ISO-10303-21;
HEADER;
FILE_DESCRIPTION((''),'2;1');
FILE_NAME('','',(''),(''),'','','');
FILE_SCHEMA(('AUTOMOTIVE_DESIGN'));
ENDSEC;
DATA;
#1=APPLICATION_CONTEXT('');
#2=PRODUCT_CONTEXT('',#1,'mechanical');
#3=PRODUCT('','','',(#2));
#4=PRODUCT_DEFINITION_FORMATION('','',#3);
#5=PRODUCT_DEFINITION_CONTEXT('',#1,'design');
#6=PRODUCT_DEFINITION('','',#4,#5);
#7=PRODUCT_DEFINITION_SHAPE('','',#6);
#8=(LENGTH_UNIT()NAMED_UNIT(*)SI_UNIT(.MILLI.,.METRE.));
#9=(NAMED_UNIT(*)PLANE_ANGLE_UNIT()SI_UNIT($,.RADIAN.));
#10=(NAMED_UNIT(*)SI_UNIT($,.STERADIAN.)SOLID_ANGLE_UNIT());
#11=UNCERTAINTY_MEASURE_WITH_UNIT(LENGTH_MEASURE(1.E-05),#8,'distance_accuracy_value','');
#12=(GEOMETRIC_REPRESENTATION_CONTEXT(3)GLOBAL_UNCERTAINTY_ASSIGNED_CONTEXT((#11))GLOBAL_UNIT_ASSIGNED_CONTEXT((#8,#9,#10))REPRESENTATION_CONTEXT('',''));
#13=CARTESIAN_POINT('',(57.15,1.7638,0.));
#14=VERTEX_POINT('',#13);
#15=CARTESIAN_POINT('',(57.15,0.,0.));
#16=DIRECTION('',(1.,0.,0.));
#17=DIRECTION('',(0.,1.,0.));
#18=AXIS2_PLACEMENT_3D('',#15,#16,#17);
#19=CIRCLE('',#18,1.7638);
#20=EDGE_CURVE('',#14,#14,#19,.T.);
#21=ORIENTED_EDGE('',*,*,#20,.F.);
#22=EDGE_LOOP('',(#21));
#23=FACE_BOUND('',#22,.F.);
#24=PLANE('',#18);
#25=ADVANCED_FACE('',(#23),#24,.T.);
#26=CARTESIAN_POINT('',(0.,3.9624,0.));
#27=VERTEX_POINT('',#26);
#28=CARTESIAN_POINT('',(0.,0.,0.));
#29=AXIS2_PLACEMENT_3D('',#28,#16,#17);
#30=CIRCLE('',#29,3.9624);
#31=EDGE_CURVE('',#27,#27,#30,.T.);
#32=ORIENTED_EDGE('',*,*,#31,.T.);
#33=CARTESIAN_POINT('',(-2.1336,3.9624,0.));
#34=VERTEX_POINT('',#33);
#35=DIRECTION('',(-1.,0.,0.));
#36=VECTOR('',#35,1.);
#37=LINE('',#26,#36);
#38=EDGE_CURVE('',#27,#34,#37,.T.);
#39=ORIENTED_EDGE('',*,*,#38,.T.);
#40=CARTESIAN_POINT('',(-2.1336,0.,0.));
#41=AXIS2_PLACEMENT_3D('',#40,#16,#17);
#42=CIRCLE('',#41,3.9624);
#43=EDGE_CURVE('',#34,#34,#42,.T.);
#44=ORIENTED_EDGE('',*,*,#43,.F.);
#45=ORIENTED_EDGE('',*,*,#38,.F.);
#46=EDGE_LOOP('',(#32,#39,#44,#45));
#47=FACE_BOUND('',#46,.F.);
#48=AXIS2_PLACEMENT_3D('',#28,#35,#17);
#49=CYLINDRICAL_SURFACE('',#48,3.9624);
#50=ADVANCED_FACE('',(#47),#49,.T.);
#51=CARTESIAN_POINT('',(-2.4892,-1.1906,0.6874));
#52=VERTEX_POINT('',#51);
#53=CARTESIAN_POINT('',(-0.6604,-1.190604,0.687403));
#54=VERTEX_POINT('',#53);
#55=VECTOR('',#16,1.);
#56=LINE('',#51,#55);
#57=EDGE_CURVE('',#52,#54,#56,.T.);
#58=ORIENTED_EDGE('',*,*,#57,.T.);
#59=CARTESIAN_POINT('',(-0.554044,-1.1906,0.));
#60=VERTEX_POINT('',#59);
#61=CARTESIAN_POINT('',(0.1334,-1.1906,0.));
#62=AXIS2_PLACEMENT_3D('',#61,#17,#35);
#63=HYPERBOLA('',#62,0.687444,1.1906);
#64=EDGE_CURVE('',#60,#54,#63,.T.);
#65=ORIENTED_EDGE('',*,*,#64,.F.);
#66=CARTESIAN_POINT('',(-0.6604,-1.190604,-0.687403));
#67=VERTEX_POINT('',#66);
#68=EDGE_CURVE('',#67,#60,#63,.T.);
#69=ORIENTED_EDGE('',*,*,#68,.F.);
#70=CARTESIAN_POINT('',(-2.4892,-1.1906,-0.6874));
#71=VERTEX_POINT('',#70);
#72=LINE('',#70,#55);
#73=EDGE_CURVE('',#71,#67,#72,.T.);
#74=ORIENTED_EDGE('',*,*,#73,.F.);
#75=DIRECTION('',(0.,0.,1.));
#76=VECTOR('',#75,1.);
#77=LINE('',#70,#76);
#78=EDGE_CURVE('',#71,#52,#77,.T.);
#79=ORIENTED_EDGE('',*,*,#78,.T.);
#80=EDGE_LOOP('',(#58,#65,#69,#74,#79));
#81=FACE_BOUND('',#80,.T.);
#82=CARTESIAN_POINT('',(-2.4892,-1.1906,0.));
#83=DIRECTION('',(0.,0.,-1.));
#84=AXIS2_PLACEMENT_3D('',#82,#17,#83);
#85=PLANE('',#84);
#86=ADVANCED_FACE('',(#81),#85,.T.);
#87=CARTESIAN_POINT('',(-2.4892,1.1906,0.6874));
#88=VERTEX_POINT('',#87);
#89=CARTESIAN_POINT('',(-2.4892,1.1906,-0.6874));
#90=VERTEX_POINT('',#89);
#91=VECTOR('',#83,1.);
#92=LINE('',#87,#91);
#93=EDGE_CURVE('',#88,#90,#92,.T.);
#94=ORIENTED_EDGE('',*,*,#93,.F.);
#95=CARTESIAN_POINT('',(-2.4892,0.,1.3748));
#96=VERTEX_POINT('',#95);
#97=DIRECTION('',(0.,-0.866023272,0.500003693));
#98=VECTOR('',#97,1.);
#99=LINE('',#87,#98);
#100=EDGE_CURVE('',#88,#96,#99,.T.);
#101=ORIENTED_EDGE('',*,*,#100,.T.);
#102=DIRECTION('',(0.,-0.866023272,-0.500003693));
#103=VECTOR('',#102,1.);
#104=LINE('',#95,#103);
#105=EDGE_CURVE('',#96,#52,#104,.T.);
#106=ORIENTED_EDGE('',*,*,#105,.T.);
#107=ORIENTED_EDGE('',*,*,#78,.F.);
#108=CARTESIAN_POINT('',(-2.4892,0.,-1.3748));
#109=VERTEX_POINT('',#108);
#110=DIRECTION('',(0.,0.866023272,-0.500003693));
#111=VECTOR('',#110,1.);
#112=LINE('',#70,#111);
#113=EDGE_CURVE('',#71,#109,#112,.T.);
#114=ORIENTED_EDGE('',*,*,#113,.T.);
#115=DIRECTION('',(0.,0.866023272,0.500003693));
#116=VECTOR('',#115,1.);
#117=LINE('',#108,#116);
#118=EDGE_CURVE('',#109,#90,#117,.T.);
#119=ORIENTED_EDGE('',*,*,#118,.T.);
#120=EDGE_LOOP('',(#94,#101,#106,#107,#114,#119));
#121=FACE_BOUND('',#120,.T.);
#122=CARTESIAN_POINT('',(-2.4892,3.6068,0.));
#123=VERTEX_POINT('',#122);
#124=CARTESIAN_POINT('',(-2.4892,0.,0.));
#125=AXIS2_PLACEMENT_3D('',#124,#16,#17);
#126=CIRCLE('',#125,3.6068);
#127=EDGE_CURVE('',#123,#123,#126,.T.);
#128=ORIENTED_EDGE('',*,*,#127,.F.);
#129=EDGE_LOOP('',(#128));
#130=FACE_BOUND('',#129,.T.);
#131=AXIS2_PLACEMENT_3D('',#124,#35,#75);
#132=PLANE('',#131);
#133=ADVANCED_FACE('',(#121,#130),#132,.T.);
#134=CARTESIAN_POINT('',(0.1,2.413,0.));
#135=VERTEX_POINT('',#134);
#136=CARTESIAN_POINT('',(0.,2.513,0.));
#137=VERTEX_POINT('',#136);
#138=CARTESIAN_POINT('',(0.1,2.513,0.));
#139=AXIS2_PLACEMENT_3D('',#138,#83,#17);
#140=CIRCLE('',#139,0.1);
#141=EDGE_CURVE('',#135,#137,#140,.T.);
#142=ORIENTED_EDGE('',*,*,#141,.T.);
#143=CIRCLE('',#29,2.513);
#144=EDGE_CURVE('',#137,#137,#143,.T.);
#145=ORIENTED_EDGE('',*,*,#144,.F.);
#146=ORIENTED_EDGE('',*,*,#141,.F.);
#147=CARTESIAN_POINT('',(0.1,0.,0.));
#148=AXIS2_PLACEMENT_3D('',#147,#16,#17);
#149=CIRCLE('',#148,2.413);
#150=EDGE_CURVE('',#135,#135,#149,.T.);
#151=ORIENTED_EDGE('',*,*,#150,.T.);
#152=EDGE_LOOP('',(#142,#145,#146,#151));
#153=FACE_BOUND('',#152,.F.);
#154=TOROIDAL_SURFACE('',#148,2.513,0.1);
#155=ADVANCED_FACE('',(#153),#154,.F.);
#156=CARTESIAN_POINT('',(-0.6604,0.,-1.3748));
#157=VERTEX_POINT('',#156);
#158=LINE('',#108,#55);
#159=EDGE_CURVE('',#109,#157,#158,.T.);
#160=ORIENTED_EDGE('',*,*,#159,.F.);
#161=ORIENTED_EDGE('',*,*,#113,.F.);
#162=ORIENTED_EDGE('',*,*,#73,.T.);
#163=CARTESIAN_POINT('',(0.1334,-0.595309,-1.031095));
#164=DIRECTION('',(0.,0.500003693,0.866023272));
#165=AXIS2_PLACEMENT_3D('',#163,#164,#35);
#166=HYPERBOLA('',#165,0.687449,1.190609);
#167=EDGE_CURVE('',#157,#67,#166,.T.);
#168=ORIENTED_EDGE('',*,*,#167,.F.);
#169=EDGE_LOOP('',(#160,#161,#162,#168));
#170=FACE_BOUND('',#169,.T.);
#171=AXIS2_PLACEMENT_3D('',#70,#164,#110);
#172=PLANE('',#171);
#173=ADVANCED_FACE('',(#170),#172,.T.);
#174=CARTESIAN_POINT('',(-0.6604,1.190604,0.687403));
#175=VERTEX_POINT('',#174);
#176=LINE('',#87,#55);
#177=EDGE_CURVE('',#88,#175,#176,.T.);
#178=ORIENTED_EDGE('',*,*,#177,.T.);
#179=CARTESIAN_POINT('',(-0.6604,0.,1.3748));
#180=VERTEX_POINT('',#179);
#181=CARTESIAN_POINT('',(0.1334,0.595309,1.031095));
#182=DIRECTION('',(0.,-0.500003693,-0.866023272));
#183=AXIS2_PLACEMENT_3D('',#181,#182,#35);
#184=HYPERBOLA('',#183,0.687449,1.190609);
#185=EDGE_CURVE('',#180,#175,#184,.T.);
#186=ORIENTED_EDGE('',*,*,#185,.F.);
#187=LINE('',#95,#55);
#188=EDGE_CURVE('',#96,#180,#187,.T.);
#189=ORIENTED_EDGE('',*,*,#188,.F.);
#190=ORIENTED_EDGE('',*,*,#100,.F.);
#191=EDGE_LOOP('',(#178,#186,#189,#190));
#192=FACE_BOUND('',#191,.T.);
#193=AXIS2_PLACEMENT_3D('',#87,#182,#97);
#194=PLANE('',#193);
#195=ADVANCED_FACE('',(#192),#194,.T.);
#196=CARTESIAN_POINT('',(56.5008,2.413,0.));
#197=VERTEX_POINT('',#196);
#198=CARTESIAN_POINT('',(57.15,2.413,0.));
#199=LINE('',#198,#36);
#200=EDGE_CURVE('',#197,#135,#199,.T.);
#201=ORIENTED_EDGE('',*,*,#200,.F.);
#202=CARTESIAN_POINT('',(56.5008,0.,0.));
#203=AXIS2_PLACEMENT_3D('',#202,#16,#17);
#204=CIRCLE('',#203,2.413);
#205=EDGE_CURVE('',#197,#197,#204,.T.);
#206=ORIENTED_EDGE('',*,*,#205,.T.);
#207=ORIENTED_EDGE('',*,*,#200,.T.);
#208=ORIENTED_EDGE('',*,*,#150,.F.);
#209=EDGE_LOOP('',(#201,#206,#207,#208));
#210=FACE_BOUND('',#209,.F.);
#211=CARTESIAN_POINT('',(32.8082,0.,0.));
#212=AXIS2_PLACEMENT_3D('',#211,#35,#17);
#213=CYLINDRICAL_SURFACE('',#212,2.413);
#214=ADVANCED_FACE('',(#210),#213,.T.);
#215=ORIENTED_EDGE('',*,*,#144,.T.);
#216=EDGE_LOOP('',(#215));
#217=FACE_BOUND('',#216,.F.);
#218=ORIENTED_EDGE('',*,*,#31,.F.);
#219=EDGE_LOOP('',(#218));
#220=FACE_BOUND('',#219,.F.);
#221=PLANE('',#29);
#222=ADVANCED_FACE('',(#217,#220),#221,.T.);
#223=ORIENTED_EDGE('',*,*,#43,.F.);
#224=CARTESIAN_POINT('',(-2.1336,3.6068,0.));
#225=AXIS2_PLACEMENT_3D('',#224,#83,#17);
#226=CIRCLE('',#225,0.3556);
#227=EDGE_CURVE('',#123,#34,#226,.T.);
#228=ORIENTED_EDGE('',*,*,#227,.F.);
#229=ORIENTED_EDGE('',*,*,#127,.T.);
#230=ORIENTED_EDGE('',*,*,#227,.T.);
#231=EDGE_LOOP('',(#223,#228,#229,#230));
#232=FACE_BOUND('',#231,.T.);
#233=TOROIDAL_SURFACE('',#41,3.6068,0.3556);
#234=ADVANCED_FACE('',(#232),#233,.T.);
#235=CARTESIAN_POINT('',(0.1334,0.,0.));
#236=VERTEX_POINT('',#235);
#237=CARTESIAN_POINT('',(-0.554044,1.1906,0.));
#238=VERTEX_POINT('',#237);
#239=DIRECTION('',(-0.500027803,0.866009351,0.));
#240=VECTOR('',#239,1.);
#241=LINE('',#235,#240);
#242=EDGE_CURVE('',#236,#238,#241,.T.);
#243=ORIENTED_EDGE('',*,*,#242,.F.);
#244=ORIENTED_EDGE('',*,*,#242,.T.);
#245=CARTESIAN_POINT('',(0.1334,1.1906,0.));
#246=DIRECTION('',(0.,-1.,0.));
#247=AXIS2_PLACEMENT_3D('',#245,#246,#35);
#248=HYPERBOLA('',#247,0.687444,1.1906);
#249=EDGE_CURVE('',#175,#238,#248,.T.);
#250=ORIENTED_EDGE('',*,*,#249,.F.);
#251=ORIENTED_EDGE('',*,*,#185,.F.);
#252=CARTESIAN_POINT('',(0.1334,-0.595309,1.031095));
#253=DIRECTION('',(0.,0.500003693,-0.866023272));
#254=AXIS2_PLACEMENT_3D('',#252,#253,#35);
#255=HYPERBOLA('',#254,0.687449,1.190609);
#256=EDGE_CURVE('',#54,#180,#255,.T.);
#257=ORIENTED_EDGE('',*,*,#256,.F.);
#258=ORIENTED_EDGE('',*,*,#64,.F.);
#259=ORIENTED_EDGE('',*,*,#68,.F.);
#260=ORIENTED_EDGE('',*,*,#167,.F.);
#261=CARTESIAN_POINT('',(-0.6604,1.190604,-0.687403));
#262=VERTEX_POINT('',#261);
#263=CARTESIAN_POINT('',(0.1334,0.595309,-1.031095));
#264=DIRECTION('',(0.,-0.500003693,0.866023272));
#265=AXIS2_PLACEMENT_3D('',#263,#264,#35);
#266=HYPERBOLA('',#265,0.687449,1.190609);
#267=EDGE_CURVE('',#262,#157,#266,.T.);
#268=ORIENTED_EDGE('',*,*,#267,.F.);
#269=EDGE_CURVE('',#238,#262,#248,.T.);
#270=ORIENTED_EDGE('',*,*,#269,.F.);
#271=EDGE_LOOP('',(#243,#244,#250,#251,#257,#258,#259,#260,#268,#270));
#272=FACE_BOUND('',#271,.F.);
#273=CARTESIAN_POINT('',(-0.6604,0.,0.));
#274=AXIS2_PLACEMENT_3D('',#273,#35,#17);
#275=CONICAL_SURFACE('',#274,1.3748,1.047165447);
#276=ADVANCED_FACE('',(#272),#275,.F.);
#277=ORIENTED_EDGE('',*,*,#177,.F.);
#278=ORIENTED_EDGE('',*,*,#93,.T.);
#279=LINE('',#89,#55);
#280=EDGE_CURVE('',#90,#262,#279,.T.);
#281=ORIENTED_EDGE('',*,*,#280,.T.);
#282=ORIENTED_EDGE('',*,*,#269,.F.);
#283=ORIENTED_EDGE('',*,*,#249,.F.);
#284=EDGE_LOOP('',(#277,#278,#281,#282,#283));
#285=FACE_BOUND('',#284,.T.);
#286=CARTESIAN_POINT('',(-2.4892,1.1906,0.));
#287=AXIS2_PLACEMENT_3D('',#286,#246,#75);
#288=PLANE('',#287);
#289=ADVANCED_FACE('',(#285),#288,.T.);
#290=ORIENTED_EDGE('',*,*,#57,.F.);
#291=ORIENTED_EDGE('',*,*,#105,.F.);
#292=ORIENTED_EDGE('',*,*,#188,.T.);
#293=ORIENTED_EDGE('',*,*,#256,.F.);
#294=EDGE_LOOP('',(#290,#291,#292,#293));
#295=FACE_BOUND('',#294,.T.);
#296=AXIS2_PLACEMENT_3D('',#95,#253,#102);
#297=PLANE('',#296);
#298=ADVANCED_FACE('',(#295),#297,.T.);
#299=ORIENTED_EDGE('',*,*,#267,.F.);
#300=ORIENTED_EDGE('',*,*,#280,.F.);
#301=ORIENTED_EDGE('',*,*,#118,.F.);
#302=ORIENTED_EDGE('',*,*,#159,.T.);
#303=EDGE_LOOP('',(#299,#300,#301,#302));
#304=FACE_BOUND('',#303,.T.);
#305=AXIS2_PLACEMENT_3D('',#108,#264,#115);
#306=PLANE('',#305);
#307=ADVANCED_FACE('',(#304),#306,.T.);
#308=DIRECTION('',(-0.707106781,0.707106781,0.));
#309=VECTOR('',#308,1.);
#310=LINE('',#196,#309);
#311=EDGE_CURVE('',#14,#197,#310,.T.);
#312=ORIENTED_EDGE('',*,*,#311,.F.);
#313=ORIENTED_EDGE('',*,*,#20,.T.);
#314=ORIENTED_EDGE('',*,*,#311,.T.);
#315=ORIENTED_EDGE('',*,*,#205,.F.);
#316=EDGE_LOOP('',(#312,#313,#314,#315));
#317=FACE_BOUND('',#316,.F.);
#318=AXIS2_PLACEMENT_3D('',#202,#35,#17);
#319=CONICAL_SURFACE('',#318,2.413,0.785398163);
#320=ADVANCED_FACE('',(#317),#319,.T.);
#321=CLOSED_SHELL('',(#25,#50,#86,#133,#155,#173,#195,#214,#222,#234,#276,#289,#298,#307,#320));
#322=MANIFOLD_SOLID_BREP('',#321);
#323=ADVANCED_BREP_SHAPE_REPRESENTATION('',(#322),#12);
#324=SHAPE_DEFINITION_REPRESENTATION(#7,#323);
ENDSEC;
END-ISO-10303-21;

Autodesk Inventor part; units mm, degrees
ref_plane "YZ Plane" through (0, 0, 0) normal (1, 0, 0) x (0, 1, 0)
ref_plane "XZ Plane" through (0, 0, 0) normal (0, 1, 0) x (-1, 0, 0)
sketch "Sketch1" plane through (0, 0, 0) normal (0, 0, 1) x (1, 0, 0)
  line L0 (0.1334, 0) -> (57.15, 0)
  line L1 (57.15, 0) -> (57.15, 2.413)
  line L2 (57.15, 2.413) -> (34.925, 2.413)
  line L3 (34.925, 2.413) -> (32.8082, 2.413)
  line L4 (32.8082, 2.413) -> (0, 2.413)
  line L5 (0, 2.413) -> (0, 3.9624)
  line L6 (0, 3.9624) -> (-2.4892, 3.9624)
  line L7 (-2.4892, 3.9624) -> (-2.4892, 1.3748)
  line L8 (-2.4892, 1.3748) -> (-0.6604, 1.3748)
  line L9 (-0.6604, 1.3748) -> (0.1334, 0)
  line L10 (-14.417, 0) -> (69.0778, 0) projected
  line L11 (0, -0.7925) -> (0, 4.7549) projected
  line L12 (34.925, 2.413) -> (0, 2.413) construction
  dimension "d1" = 22.225
  dimension "d2" = 2.1168
  dimension "d3" = 2.4892
  dimension "d4" = 1.8288
  dimension "d5" = 60
  dimension "d6" = 4.826
  dimension "d7" = 4.826
  dimension "d8" = 2.7496
  dimension "d9" = 7.9248
  dimension "d26" = 57.15
revolve "Body" add sketch "Sketch1" angle 360 about axis through (0.1334, 0, 0) along (1, 0, 0) contours L9 L11 L4 L3 L2 L1 L0 | L9 L8 L7 L6 L5 L11
sketch "Sketch2" plane through (-2.4892, 0, 0) normal (-1, 0, 0) x (0, 0, 1)
  circle A0 centre (0, 0) radius 1.3748 projected
  line L0 (0, -5.5474) -> (0, 5.5474) projected
  line L1 (-5.5474, 0) -> (5.5474, 0) projected
  line L2 (1.3748, 0) -> (0.6874, -1.1906)
  line L3 (0.6874, -1.1906) -> (-0.6874, -1.1906)
  line L4 (-0.6874, -1.1906) -> (-1.3748, 0)
  line L5 (-1.3748, 0) -> (-0.6874, 1.1906)
  line L6 (-0.6874, 1.1906) -> (0.6874, 1.1906)
  line L7 (0.6874, 1.1906) -> (1.3748, 0)
extrude "Slot" add sketch "Sketch2" against normal up to next contours L7 A0 | A0 L2 | L6 L0 A0 | A0 L0 L3 | L0 L6 A0 | A0 L3 L0 | L4 A0 | A0 L5
fillet "Fillet1" radius 0.3556 1 edges at (-2.4892, -3.9624, 0)
thread "Thread" size "10-24 UNC" class "2A" standard "ANSI Unified Screw Threads" length 22.225
chamfer "Chamfer1" distance 0.6492 distance2 0.6492 1 edges at (57.15, -2.413, 0) measured on face at (57.15, -0.4231, -0.1925)
ref_plane "Work Plane1" through (29, 0, 0) normal (0, -1, 0) x (1, 0, 0)
fillet "Fillet2" radius 0.1 1 edges at (0, -2.413, 0)
equation "\"d1\" = GEL"
equation "\"d3\" = KOH"
equation "\"d4\" = INTI"
equation "\"d6\" = GD"
equation "\"d7\" = BDM"
equation "\"d8\" = 1.1547 * SW"
equation "\"d9\" = KOD"
equation "\"d26\" = NLG"
equation "\"d30\" = R"
equation "\"d17\" = RR"
equation "\"d13\" = GEL"
equation "\"d15\" = -0.5 * SPD + 0.5 * GD"
equation "\"d16\" = GUL"
equation "\"GD\" = NND"
equation "\"NLG\" = 57.15"
equation "\"GEL\" = 22.225"
equation "\"KOD\" = 7.9248"
equation "\"KOH\" = 2.4892"
equation "\"INTI\" = 1.8288"
equation "\"GAL\" = 2.11668"
equation "\"GUL\" = 0.64922"
equation "\"BDM\" = NND"
equation "\"SW\" = 2.38125"
equation "\"RR\" = 0.3556"
equation "\"SPD\" = GD1"
equation "\"R\" = 0.1"
equation "\"PHH\" = 0.24892"
equation "\"THREADDIA\" = 4.826"
equation "\"FAWI\" = 45deg"
equation "\"NND\" = 4.826"
equation "\"E0\" = 1.155 * SW"
equation "\"FAWI1\" = 30deg"
equation "\"TOA\" = 30deg"
equation "\"GD1\" = 3.52755"
properties part number "Unbrako - 10 x 2 1/4" material "Steel, Mild"
